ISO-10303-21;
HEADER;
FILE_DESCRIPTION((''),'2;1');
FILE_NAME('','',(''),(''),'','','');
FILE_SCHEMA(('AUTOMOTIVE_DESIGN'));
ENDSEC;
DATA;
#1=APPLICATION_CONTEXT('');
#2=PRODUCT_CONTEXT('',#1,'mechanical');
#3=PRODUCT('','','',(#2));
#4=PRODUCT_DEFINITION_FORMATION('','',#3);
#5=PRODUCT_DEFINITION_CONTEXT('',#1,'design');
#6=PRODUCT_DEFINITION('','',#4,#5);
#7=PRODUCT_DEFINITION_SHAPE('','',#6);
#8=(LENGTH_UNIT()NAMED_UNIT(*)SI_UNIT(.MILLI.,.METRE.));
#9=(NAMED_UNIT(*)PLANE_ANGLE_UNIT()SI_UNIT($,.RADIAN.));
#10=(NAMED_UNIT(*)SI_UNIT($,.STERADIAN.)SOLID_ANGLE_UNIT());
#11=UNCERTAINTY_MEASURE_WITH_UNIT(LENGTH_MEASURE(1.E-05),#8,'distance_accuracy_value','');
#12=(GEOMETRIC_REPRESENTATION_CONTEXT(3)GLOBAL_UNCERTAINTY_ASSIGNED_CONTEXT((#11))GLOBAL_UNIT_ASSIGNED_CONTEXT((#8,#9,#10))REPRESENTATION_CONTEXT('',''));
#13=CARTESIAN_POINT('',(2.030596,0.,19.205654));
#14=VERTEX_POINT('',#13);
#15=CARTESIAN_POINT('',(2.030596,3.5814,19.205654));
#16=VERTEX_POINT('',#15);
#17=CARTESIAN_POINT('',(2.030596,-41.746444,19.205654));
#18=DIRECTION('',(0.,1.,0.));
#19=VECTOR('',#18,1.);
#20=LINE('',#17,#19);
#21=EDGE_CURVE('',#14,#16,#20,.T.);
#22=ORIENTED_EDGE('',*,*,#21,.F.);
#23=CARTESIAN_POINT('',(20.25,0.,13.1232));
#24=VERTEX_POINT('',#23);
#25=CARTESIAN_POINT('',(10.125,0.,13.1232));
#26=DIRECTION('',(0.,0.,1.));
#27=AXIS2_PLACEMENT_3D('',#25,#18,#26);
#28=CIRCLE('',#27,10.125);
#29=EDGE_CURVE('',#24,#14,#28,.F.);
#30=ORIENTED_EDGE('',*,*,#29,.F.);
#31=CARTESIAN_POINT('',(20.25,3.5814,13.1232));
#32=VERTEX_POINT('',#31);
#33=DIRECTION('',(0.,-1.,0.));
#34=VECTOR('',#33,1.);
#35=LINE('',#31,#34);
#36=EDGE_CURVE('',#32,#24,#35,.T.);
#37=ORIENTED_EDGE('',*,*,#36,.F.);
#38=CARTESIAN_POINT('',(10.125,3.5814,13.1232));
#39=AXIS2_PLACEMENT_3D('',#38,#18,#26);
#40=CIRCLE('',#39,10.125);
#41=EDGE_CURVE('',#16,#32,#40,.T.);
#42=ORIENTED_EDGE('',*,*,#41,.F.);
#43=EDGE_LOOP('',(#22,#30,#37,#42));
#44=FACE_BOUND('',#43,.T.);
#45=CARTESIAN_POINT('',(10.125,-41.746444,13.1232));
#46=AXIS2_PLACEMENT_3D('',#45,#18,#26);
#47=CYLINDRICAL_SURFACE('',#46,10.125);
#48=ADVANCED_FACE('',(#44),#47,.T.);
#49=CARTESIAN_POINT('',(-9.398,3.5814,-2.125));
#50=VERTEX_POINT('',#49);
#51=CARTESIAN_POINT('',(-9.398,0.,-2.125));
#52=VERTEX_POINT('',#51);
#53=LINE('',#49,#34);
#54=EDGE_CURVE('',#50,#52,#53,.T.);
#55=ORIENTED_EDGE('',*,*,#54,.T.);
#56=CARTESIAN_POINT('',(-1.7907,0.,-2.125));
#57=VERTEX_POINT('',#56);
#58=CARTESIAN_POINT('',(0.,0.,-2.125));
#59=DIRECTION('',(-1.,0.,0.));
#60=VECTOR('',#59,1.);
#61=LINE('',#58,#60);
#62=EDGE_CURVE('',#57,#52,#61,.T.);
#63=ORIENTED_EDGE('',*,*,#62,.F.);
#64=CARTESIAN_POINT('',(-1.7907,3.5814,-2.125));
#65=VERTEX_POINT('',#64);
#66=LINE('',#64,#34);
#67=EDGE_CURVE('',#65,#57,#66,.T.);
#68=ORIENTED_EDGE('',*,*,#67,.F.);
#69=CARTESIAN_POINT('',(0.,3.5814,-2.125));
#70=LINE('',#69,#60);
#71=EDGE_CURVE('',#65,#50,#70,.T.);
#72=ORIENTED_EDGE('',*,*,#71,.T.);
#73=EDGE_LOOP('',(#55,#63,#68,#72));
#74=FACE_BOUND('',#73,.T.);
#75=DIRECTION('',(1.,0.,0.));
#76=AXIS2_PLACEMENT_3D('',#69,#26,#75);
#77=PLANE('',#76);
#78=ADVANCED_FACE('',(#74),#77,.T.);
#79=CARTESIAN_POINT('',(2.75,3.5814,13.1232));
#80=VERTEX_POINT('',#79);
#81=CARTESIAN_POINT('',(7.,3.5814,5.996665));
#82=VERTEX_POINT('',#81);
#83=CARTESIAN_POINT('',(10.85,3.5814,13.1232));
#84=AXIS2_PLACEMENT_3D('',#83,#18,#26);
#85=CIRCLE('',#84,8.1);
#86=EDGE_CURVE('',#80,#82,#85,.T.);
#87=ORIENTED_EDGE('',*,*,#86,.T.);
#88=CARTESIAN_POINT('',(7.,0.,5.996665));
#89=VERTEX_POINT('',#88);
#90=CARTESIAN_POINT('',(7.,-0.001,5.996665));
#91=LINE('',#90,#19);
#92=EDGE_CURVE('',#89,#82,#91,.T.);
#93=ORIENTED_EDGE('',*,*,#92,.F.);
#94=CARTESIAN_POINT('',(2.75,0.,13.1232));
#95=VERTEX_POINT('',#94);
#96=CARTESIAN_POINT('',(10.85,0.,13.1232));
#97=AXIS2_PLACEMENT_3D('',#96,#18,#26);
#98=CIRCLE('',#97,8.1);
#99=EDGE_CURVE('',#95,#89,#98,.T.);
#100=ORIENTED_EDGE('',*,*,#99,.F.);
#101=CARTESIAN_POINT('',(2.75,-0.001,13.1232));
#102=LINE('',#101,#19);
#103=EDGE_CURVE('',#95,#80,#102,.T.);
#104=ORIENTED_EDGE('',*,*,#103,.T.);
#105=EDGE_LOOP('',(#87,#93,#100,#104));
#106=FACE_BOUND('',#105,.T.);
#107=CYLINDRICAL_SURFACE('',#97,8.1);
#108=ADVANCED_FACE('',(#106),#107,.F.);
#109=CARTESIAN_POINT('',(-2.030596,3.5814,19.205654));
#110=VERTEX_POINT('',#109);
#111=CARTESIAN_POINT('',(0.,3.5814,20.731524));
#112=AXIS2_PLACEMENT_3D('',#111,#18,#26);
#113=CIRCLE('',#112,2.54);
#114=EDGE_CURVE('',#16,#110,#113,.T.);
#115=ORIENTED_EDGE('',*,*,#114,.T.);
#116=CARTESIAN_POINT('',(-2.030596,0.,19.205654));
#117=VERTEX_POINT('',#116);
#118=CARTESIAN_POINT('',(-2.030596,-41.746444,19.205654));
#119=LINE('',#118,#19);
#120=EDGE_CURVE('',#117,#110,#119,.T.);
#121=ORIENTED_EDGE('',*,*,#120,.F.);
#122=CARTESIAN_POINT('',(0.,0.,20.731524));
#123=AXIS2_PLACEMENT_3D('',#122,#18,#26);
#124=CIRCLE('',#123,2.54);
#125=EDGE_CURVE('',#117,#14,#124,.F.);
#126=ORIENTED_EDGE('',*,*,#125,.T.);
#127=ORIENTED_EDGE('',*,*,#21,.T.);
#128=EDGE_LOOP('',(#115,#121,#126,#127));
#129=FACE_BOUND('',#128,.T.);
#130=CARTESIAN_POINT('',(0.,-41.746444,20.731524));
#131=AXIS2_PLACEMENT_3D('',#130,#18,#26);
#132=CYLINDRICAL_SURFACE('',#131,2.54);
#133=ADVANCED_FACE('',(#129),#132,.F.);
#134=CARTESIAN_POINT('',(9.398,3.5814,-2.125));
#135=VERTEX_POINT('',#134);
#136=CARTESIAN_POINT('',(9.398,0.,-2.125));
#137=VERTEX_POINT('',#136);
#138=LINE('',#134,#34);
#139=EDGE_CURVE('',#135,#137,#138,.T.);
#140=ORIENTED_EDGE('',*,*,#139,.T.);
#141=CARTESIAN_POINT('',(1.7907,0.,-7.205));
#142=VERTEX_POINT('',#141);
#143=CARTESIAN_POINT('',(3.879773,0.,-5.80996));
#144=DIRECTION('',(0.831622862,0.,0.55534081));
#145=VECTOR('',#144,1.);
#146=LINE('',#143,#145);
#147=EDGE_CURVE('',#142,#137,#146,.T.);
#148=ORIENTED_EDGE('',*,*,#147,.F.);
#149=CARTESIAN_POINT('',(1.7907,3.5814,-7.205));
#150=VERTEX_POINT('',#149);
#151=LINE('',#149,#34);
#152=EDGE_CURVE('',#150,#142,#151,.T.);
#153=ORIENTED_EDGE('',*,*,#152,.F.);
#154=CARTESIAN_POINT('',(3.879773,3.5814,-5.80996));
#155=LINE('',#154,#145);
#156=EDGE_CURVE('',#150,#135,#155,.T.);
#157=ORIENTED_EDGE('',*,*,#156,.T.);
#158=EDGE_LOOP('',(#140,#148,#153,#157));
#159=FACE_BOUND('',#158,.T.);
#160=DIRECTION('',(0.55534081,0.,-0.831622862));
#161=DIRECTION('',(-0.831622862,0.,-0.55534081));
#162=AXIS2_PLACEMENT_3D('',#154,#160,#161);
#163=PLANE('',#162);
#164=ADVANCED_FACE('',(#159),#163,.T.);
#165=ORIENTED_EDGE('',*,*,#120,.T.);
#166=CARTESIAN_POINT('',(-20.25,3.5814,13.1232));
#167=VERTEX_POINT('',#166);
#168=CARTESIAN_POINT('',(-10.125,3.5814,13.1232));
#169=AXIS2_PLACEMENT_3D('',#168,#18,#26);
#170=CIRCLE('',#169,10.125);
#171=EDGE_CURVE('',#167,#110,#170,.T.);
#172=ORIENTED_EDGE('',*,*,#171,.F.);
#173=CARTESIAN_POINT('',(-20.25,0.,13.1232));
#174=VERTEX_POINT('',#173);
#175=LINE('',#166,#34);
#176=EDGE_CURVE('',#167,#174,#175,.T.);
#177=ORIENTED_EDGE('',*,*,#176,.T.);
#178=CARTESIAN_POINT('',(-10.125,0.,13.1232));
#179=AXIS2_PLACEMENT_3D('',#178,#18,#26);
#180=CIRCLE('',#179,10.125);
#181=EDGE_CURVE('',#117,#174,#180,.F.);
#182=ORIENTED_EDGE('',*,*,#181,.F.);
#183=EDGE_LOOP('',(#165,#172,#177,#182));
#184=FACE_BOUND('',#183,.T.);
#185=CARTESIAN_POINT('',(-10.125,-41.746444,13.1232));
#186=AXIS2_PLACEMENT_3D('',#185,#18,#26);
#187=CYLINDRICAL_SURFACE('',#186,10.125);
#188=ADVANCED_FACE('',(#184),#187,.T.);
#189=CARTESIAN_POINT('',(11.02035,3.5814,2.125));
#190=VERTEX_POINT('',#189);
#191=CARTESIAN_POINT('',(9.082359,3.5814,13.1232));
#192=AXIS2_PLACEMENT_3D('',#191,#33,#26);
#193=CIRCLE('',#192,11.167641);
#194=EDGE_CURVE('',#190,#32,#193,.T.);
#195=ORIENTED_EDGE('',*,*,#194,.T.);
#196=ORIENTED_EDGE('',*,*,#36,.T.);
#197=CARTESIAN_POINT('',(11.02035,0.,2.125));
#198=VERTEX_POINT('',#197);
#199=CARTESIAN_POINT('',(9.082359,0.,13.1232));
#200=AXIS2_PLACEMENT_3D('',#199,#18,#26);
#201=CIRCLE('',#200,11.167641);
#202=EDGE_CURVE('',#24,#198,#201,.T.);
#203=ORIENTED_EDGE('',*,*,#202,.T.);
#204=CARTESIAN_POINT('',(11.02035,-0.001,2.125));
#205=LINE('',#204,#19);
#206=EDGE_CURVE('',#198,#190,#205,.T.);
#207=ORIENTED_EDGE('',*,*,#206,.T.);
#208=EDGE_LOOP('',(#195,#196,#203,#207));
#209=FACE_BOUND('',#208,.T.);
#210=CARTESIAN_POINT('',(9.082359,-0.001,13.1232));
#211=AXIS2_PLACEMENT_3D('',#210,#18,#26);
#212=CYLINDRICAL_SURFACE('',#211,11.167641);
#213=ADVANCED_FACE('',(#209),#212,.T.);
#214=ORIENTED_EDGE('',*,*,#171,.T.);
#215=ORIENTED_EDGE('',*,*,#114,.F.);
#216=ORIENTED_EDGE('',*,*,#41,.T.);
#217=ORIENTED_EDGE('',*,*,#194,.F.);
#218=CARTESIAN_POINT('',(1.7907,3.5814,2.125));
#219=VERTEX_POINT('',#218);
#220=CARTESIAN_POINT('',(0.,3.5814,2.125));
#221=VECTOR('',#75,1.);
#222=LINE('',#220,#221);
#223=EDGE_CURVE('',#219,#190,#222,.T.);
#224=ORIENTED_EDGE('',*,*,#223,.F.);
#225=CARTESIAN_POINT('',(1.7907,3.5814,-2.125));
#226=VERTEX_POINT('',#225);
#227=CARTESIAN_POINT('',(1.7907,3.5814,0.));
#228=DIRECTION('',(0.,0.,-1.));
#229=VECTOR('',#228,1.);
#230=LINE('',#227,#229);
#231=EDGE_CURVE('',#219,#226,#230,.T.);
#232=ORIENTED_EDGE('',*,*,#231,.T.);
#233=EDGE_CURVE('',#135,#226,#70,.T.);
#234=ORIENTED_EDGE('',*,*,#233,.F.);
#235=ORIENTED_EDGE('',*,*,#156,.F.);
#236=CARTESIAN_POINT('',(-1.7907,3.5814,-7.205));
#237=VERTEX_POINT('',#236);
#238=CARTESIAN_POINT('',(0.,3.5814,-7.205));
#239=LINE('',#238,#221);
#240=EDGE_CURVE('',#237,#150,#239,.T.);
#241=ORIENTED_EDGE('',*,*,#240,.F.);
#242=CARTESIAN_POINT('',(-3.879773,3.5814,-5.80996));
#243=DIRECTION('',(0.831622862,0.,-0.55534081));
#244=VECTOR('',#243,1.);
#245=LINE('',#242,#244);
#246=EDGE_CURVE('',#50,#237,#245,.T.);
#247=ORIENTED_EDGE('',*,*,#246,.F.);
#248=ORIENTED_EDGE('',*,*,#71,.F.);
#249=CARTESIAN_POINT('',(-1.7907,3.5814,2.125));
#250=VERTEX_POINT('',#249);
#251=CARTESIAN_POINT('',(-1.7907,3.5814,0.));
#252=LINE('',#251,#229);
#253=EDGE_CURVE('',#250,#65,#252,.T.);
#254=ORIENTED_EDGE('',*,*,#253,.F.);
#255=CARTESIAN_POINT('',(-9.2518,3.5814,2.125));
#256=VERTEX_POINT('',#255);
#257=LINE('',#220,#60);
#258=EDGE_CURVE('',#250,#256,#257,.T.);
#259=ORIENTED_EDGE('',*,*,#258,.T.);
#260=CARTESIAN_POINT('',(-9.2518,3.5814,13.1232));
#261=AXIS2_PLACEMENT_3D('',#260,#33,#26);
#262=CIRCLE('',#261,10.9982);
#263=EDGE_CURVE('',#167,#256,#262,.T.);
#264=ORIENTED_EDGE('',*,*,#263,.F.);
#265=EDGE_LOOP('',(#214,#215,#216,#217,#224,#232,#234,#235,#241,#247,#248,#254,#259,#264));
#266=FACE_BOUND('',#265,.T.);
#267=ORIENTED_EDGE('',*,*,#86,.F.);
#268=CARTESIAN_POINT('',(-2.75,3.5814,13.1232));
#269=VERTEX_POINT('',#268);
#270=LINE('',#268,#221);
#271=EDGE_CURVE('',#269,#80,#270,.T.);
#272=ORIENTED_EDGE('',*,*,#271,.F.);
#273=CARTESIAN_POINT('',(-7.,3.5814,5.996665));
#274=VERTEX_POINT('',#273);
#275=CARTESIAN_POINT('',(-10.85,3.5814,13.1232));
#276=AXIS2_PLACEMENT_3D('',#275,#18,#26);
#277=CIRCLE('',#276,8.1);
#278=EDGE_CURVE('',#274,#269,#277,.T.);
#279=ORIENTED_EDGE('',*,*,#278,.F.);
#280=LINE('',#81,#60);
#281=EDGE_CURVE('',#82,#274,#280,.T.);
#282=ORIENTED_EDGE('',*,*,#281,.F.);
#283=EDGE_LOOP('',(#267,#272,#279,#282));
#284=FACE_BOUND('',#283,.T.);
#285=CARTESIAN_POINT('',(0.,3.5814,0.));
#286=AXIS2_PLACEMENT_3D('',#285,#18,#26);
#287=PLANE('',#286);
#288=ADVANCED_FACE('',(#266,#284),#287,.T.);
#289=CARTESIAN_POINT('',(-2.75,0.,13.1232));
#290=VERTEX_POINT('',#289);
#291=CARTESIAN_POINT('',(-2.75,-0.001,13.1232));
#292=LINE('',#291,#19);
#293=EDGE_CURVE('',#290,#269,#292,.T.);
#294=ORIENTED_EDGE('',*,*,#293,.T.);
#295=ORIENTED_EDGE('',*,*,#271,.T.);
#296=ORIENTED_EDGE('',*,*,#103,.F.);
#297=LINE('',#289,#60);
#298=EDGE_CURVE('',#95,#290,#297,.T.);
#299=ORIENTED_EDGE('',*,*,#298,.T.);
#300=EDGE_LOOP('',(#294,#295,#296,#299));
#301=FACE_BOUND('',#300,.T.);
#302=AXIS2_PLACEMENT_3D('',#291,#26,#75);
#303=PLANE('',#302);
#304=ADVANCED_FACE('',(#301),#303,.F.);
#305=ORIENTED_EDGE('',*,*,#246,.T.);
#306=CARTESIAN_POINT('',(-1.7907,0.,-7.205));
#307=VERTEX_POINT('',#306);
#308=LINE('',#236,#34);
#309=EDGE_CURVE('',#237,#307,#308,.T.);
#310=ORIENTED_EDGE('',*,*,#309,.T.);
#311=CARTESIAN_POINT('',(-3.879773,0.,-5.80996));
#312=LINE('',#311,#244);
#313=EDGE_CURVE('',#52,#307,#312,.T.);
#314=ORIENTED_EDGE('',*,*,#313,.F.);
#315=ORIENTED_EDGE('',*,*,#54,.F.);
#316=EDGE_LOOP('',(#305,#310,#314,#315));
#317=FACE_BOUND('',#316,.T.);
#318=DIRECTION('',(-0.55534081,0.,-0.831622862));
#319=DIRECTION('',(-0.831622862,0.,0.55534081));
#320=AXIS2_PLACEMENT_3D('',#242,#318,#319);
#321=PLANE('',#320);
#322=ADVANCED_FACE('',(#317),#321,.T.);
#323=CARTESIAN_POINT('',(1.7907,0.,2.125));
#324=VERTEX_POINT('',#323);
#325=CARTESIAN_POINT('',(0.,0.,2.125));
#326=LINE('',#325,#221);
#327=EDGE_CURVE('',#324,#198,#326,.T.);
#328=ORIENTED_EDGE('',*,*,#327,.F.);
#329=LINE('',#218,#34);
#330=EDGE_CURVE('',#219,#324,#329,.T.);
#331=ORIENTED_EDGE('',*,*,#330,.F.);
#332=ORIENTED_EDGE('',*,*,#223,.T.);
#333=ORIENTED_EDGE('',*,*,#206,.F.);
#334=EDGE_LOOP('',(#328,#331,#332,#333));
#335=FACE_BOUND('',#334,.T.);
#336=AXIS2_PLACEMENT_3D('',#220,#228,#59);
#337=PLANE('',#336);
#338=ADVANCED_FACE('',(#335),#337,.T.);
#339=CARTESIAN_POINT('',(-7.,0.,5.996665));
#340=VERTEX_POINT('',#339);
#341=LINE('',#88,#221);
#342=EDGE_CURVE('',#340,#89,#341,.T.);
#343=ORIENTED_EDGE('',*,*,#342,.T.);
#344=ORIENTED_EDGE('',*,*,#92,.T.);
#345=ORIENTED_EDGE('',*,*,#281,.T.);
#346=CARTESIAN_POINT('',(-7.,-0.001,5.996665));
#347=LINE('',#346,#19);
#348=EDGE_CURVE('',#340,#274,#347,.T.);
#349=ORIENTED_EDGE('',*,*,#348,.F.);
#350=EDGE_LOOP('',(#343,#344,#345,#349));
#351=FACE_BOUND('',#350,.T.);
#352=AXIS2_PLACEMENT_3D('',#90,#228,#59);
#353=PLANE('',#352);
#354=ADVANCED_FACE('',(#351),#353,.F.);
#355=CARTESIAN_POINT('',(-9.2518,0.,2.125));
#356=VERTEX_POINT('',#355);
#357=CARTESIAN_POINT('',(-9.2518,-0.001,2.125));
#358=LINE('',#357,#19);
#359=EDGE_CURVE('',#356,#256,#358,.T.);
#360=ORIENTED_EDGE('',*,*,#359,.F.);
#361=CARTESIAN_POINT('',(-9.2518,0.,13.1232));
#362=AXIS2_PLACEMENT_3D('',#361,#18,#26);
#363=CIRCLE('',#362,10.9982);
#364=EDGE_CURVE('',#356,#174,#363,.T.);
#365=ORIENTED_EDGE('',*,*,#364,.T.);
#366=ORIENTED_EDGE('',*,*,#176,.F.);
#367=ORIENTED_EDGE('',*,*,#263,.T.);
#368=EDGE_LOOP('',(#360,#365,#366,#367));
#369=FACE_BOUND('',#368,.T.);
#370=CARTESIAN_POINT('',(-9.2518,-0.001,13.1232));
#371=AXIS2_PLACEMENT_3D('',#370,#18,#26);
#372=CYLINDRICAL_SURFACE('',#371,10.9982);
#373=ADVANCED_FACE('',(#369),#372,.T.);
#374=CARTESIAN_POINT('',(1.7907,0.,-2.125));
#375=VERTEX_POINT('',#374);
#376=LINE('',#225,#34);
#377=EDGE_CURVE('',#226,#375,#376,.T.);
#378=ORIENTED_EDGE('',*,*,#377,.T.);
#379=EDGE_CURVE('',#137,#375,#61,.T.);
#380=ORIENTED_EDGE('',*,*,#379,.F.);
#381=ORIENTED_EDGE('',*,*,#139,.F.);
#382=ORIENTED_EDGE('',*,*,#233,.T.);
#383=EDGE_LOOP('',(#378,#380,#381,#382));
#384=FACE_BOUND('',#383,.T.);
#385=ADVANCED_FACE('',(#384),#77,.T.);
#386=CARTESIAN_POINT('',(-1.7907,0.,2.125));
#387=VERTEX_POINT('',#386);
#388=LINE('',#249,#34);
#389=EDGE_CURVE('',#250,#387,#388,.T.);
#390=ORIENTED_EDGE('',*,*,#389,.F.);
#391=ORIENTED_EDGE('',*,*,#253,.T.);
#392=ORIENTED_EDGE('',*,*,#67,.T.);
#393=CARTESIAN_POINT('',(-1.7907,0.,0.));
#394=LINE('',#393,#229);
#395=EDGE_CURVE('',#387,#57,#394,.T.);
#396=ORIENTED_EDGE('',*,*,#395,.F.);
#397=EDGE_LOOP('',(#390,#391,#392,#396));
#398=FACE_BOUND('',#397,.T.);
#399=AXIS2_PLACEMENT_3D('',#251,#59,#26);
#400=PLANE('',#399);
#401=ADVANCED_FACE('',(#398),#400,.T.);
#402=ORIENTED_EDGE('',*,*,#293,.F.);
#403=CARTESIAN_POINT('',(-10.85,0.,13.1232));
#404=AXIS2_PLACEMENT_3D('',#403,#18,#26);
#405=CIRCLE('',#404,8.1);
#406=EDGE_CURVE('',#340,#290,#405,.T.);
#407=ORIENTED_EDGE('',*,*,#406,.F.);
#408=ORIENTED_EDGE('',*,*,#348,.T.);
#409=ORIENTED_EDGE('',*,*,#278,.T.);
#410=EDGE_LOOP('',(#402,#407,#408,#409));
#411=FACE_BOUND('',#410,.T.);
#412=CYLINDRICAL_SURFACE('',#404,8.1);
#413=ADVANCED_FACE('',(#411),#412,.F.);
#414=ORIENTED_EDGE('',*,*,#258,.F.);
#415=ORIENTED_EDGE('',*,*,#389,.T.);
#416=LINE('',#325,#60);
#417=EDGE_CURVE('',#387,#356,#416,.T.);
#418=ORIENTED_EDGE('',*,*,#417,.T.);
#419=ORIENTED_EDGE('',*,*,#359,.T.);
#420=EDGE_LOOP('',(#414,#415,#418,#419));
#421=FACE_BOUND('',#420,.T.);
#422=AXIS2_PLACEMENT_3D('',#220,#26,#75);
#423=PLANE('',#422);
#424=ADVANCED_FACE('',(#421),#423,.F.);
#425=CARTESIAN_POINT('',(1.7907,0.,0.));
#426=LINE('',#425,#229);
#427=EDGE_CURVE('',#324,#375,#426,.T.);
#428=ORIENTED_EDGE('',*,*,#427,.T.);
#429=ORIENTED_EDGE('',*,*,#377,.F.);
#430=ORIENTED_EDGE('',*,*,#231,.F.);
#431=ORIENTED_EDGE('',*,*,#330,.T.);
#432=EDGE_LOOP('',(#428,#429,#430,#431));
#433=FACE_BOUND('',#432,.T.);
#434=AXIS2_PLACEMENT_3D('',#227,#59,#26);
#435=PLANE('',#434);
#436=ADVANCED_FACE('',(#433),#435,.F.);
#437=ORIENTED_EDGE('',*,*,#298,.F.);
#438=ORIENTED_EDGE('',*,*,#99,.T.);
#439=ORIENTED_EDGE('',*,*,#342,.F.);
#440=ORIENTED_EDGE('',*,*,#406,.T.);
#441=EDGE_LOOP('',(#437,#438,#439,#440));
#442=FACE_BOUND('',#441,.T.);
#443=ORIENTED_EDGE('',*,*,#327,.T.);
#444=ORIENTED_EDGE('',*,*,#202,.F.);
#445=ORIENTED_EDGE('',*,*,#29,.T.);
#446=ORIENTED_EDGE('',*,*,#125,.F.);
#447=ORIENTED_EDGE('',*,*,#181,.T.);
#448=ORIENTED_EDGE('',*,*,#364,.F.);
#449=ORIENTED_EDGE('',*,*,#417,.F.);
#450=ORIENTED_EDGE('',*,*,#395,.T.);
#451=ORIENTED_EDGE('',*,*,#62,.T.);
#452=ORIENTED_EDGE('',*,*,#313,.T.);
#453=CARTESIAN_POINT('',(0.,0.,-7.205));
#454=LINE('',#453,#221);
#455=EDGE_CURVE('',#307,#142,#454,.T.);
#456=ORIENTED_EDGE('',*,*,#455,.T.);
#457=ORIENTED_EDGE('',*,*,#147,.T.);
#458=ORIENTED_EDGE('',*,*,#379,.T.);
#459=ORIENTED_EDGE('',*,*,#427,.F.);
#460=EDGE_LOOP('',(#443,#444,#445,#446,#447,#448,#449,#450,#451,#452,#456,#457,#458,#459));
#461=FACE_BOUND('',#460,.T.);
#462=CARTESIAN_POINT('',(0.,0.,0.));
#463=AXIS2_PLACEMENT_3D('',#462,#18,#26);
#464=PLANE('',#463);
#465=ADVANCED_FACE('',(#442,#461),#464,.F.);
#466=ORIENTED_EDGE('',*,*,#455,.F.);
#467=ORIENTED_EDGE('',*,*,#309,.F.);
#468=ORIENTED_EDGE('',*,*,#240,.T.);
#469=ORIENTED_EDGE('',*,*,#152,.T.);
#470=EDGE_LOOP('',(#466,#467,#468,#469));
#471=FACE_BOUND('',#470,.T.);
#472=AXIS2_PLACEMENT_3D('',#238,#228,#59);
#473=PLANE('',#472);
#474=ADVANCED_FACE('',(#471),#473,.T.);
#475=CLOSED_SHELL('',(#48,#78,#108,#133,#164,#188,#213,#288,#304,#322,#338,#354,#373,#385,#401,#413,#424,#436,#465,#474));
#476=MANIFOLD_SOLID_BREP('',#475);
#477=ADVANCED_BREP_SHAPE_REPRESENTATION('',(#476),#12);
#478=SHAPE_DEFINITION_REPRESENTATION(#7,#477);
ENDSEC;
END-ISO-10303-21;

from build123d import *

# Parameters (mm, degrees)
BOSS_EXTRUDE1_DEPTH = 3.5814
BOSS_EXTRUDE2_DEPTH = 3.5814
SKETCH4_R           = 8.1
CUT_EXTRUDE2_DEPTH  = 4.5814
CUT_EXTRUDE4_REACH  = 5.581
CUT_EXTRUDE5_REACH  = 5.581


with BuildPart() as part:
    # Sketch1 → Boss-Extrude1 (new body)
    with BuildSketch(Plane(origin=(0, 0, 0), x_dir=(1, 0, 0), z_dir=(0, 1, 0))):
        Polygon((-20.25, -13.1232), (20.25, -13.1232), (20.25, -2.125), (1.7907, -2.125), (1.7907, 2.125), (9.398, 2.125), (1.7907, 7.205), (-1.7907, 7.205), (-9.398, 2.125), (-1.7907, 2.125), (-1.7907, -2.125), (-20.25, -2.125), align=None)
    extrude(amount=BOSS_EXTRUDE1_DEPTH)

    # Sketch3 → Boss-Extrude2 (add)
    with BuildSketch(Plane(origin=(0, 3.5814, 0), x_dir=(1, 0, 0), z_dir=(0, 1, 0))):
        Polygon((-20.25, -2.125), (-20.25, -13.1232), (20.25, -13.1232), (20.25, -2.125), (1.7907, -2.125), (1.7907, 2.125), (9.398, 2.125), (1.7907, 7.205), (-1.7907, 7.205), (-9.398, 2.125), (-1.7907, 2.125), (-1.7907, -2.125), align=None)
        with BuildLine():
            Line((20.25, -13.1232), (-20.25, -13.1232))
            ThreePointArc((-20.25, -13.1232), (-13.331227209, -22.72714357), (-2.030596131, -19.205654357))
            ThreePointArc((-2.030596131, -19.205654357), (0, -18.191524388), (2.030596131, -19.205654357))
            ThreePointArc((2.030596131, -19.205654357), (13.331227209, -22.72714357), (20.25, -13.1232))
        make_face()
    extrude(amount=-BOSS_EXTRUDE2_DEPTH)

    # Sketch4 → Cut-Extrude2 (cut, through all)
    with BuildSketch(Plane(origin=(0, 3.5814, 0), x_dir=(1, 0, 0), z_dir=(0, 1, 0))):
        with Locations((-10.85, -13.1232)):
            Circle(SKETCH4_R)
        with Locations((10.85, -13.1232)):
            Circle(SKETCH4_R)
    extrude(amount=-CUT_EXTRUDE2_DEPTH, mode=Mode.SUBTRACT)

    # Sketch5 → Cut-Extrude4 (cut, up to next)
    with BuildSketch(Plane(origin=(0, 3.5814, 0), x_dir=(1, 0, 0), z_dir=(0, 1, 0)), mode=Mode.PRIVATE) as cut_extrude4_sk1:
        with BuildLine():
            Line((7, -5.996665078), (-7, -5.996665078))
            ThreePointArc((-7, -5.996665078), (-3.893168825, -8.974404994), (-2.75, -13.1232))
            Line((-2.75, -13.1232), (2.75, -13.1232))
            ThreePointArc((2.75, -13.1232), (3.893168825, -8.974404994), (7, -5.996665078))
        make_face()
    cut_extrude4_tool1 = extrude(cut_extrude4_sk1.sketch, amount=-CUT_EXTRUDE4_REACH, mode=Mode.PRIVATE) & part.part
    add(cut_extrude4_tool1.solids().sort_by_distance((0, 3.5814, 8.978273))[0], mode=Mode.SUBTRACT)

    # Sketch6 → Cut-Extrude5 (cut, up to next)
    with BuildSketch(Plane(origin=(0, 3.5814, 0), x_dir=(1, 0, 0), z_dir=(0, 1, 0)), mode=Mode.PRIVATE) as cut_extrude5_sk1:
        with BuildLine():
            Line((-9.2518, -2.125), (-20.25, -2.125))
            Line((-20.25, -2.125), (-20.25, -13.1232))
            ThreePointArc((-20.25, -13.1232), (-17.028701801, -5.346298199), (-9.2518, -2.125))
        make_face()
    cut_extrude5_tool1 = extrude(cut_extrude5_sk1.sketch, amount=-CUT_EXTRUDE5_REACH, mode=Mode.PRIVATE) & part.part
    add(cut_extrude5_tool1.solids().sort_by_distance((-17.793355, 3.5814, 4.581645))[0], mode=Mode.SUBTRACT)
    # Sketch6 → Cut-Extrude5 (cut, up to next)
    with BuildSketch(Plane(origin=(0, 3.5814, 0), x_dir=(1, 0, 0), z_dir=(0, 1, 0)), mode=Mode.PRIVATE) as cut_extrude5_sk2:
        with BuildLine():
            Line((20.25, -13.1232), (20.25, -2.125))
            Line((20.25, -2.125), (11.02035, -2.125))
            ThreePointArc((11.02035, -2.125), (17.636860555, -5.94429266), (20.25, -13.1232))
        make_face()
    cut_extrude5_tool2 = extrude(cut_extrude5_sk2.sketch, amount=-CUT_EXTRUDE5_REACH, mode=Mode.PRIVATE) & part.part
    add(cut_extrude5_tool2.solids().sort_by_distance((17.919058, 3.5814, 4.610875))[0], mode=Mode.SUBTRACT)


solid = part.part
